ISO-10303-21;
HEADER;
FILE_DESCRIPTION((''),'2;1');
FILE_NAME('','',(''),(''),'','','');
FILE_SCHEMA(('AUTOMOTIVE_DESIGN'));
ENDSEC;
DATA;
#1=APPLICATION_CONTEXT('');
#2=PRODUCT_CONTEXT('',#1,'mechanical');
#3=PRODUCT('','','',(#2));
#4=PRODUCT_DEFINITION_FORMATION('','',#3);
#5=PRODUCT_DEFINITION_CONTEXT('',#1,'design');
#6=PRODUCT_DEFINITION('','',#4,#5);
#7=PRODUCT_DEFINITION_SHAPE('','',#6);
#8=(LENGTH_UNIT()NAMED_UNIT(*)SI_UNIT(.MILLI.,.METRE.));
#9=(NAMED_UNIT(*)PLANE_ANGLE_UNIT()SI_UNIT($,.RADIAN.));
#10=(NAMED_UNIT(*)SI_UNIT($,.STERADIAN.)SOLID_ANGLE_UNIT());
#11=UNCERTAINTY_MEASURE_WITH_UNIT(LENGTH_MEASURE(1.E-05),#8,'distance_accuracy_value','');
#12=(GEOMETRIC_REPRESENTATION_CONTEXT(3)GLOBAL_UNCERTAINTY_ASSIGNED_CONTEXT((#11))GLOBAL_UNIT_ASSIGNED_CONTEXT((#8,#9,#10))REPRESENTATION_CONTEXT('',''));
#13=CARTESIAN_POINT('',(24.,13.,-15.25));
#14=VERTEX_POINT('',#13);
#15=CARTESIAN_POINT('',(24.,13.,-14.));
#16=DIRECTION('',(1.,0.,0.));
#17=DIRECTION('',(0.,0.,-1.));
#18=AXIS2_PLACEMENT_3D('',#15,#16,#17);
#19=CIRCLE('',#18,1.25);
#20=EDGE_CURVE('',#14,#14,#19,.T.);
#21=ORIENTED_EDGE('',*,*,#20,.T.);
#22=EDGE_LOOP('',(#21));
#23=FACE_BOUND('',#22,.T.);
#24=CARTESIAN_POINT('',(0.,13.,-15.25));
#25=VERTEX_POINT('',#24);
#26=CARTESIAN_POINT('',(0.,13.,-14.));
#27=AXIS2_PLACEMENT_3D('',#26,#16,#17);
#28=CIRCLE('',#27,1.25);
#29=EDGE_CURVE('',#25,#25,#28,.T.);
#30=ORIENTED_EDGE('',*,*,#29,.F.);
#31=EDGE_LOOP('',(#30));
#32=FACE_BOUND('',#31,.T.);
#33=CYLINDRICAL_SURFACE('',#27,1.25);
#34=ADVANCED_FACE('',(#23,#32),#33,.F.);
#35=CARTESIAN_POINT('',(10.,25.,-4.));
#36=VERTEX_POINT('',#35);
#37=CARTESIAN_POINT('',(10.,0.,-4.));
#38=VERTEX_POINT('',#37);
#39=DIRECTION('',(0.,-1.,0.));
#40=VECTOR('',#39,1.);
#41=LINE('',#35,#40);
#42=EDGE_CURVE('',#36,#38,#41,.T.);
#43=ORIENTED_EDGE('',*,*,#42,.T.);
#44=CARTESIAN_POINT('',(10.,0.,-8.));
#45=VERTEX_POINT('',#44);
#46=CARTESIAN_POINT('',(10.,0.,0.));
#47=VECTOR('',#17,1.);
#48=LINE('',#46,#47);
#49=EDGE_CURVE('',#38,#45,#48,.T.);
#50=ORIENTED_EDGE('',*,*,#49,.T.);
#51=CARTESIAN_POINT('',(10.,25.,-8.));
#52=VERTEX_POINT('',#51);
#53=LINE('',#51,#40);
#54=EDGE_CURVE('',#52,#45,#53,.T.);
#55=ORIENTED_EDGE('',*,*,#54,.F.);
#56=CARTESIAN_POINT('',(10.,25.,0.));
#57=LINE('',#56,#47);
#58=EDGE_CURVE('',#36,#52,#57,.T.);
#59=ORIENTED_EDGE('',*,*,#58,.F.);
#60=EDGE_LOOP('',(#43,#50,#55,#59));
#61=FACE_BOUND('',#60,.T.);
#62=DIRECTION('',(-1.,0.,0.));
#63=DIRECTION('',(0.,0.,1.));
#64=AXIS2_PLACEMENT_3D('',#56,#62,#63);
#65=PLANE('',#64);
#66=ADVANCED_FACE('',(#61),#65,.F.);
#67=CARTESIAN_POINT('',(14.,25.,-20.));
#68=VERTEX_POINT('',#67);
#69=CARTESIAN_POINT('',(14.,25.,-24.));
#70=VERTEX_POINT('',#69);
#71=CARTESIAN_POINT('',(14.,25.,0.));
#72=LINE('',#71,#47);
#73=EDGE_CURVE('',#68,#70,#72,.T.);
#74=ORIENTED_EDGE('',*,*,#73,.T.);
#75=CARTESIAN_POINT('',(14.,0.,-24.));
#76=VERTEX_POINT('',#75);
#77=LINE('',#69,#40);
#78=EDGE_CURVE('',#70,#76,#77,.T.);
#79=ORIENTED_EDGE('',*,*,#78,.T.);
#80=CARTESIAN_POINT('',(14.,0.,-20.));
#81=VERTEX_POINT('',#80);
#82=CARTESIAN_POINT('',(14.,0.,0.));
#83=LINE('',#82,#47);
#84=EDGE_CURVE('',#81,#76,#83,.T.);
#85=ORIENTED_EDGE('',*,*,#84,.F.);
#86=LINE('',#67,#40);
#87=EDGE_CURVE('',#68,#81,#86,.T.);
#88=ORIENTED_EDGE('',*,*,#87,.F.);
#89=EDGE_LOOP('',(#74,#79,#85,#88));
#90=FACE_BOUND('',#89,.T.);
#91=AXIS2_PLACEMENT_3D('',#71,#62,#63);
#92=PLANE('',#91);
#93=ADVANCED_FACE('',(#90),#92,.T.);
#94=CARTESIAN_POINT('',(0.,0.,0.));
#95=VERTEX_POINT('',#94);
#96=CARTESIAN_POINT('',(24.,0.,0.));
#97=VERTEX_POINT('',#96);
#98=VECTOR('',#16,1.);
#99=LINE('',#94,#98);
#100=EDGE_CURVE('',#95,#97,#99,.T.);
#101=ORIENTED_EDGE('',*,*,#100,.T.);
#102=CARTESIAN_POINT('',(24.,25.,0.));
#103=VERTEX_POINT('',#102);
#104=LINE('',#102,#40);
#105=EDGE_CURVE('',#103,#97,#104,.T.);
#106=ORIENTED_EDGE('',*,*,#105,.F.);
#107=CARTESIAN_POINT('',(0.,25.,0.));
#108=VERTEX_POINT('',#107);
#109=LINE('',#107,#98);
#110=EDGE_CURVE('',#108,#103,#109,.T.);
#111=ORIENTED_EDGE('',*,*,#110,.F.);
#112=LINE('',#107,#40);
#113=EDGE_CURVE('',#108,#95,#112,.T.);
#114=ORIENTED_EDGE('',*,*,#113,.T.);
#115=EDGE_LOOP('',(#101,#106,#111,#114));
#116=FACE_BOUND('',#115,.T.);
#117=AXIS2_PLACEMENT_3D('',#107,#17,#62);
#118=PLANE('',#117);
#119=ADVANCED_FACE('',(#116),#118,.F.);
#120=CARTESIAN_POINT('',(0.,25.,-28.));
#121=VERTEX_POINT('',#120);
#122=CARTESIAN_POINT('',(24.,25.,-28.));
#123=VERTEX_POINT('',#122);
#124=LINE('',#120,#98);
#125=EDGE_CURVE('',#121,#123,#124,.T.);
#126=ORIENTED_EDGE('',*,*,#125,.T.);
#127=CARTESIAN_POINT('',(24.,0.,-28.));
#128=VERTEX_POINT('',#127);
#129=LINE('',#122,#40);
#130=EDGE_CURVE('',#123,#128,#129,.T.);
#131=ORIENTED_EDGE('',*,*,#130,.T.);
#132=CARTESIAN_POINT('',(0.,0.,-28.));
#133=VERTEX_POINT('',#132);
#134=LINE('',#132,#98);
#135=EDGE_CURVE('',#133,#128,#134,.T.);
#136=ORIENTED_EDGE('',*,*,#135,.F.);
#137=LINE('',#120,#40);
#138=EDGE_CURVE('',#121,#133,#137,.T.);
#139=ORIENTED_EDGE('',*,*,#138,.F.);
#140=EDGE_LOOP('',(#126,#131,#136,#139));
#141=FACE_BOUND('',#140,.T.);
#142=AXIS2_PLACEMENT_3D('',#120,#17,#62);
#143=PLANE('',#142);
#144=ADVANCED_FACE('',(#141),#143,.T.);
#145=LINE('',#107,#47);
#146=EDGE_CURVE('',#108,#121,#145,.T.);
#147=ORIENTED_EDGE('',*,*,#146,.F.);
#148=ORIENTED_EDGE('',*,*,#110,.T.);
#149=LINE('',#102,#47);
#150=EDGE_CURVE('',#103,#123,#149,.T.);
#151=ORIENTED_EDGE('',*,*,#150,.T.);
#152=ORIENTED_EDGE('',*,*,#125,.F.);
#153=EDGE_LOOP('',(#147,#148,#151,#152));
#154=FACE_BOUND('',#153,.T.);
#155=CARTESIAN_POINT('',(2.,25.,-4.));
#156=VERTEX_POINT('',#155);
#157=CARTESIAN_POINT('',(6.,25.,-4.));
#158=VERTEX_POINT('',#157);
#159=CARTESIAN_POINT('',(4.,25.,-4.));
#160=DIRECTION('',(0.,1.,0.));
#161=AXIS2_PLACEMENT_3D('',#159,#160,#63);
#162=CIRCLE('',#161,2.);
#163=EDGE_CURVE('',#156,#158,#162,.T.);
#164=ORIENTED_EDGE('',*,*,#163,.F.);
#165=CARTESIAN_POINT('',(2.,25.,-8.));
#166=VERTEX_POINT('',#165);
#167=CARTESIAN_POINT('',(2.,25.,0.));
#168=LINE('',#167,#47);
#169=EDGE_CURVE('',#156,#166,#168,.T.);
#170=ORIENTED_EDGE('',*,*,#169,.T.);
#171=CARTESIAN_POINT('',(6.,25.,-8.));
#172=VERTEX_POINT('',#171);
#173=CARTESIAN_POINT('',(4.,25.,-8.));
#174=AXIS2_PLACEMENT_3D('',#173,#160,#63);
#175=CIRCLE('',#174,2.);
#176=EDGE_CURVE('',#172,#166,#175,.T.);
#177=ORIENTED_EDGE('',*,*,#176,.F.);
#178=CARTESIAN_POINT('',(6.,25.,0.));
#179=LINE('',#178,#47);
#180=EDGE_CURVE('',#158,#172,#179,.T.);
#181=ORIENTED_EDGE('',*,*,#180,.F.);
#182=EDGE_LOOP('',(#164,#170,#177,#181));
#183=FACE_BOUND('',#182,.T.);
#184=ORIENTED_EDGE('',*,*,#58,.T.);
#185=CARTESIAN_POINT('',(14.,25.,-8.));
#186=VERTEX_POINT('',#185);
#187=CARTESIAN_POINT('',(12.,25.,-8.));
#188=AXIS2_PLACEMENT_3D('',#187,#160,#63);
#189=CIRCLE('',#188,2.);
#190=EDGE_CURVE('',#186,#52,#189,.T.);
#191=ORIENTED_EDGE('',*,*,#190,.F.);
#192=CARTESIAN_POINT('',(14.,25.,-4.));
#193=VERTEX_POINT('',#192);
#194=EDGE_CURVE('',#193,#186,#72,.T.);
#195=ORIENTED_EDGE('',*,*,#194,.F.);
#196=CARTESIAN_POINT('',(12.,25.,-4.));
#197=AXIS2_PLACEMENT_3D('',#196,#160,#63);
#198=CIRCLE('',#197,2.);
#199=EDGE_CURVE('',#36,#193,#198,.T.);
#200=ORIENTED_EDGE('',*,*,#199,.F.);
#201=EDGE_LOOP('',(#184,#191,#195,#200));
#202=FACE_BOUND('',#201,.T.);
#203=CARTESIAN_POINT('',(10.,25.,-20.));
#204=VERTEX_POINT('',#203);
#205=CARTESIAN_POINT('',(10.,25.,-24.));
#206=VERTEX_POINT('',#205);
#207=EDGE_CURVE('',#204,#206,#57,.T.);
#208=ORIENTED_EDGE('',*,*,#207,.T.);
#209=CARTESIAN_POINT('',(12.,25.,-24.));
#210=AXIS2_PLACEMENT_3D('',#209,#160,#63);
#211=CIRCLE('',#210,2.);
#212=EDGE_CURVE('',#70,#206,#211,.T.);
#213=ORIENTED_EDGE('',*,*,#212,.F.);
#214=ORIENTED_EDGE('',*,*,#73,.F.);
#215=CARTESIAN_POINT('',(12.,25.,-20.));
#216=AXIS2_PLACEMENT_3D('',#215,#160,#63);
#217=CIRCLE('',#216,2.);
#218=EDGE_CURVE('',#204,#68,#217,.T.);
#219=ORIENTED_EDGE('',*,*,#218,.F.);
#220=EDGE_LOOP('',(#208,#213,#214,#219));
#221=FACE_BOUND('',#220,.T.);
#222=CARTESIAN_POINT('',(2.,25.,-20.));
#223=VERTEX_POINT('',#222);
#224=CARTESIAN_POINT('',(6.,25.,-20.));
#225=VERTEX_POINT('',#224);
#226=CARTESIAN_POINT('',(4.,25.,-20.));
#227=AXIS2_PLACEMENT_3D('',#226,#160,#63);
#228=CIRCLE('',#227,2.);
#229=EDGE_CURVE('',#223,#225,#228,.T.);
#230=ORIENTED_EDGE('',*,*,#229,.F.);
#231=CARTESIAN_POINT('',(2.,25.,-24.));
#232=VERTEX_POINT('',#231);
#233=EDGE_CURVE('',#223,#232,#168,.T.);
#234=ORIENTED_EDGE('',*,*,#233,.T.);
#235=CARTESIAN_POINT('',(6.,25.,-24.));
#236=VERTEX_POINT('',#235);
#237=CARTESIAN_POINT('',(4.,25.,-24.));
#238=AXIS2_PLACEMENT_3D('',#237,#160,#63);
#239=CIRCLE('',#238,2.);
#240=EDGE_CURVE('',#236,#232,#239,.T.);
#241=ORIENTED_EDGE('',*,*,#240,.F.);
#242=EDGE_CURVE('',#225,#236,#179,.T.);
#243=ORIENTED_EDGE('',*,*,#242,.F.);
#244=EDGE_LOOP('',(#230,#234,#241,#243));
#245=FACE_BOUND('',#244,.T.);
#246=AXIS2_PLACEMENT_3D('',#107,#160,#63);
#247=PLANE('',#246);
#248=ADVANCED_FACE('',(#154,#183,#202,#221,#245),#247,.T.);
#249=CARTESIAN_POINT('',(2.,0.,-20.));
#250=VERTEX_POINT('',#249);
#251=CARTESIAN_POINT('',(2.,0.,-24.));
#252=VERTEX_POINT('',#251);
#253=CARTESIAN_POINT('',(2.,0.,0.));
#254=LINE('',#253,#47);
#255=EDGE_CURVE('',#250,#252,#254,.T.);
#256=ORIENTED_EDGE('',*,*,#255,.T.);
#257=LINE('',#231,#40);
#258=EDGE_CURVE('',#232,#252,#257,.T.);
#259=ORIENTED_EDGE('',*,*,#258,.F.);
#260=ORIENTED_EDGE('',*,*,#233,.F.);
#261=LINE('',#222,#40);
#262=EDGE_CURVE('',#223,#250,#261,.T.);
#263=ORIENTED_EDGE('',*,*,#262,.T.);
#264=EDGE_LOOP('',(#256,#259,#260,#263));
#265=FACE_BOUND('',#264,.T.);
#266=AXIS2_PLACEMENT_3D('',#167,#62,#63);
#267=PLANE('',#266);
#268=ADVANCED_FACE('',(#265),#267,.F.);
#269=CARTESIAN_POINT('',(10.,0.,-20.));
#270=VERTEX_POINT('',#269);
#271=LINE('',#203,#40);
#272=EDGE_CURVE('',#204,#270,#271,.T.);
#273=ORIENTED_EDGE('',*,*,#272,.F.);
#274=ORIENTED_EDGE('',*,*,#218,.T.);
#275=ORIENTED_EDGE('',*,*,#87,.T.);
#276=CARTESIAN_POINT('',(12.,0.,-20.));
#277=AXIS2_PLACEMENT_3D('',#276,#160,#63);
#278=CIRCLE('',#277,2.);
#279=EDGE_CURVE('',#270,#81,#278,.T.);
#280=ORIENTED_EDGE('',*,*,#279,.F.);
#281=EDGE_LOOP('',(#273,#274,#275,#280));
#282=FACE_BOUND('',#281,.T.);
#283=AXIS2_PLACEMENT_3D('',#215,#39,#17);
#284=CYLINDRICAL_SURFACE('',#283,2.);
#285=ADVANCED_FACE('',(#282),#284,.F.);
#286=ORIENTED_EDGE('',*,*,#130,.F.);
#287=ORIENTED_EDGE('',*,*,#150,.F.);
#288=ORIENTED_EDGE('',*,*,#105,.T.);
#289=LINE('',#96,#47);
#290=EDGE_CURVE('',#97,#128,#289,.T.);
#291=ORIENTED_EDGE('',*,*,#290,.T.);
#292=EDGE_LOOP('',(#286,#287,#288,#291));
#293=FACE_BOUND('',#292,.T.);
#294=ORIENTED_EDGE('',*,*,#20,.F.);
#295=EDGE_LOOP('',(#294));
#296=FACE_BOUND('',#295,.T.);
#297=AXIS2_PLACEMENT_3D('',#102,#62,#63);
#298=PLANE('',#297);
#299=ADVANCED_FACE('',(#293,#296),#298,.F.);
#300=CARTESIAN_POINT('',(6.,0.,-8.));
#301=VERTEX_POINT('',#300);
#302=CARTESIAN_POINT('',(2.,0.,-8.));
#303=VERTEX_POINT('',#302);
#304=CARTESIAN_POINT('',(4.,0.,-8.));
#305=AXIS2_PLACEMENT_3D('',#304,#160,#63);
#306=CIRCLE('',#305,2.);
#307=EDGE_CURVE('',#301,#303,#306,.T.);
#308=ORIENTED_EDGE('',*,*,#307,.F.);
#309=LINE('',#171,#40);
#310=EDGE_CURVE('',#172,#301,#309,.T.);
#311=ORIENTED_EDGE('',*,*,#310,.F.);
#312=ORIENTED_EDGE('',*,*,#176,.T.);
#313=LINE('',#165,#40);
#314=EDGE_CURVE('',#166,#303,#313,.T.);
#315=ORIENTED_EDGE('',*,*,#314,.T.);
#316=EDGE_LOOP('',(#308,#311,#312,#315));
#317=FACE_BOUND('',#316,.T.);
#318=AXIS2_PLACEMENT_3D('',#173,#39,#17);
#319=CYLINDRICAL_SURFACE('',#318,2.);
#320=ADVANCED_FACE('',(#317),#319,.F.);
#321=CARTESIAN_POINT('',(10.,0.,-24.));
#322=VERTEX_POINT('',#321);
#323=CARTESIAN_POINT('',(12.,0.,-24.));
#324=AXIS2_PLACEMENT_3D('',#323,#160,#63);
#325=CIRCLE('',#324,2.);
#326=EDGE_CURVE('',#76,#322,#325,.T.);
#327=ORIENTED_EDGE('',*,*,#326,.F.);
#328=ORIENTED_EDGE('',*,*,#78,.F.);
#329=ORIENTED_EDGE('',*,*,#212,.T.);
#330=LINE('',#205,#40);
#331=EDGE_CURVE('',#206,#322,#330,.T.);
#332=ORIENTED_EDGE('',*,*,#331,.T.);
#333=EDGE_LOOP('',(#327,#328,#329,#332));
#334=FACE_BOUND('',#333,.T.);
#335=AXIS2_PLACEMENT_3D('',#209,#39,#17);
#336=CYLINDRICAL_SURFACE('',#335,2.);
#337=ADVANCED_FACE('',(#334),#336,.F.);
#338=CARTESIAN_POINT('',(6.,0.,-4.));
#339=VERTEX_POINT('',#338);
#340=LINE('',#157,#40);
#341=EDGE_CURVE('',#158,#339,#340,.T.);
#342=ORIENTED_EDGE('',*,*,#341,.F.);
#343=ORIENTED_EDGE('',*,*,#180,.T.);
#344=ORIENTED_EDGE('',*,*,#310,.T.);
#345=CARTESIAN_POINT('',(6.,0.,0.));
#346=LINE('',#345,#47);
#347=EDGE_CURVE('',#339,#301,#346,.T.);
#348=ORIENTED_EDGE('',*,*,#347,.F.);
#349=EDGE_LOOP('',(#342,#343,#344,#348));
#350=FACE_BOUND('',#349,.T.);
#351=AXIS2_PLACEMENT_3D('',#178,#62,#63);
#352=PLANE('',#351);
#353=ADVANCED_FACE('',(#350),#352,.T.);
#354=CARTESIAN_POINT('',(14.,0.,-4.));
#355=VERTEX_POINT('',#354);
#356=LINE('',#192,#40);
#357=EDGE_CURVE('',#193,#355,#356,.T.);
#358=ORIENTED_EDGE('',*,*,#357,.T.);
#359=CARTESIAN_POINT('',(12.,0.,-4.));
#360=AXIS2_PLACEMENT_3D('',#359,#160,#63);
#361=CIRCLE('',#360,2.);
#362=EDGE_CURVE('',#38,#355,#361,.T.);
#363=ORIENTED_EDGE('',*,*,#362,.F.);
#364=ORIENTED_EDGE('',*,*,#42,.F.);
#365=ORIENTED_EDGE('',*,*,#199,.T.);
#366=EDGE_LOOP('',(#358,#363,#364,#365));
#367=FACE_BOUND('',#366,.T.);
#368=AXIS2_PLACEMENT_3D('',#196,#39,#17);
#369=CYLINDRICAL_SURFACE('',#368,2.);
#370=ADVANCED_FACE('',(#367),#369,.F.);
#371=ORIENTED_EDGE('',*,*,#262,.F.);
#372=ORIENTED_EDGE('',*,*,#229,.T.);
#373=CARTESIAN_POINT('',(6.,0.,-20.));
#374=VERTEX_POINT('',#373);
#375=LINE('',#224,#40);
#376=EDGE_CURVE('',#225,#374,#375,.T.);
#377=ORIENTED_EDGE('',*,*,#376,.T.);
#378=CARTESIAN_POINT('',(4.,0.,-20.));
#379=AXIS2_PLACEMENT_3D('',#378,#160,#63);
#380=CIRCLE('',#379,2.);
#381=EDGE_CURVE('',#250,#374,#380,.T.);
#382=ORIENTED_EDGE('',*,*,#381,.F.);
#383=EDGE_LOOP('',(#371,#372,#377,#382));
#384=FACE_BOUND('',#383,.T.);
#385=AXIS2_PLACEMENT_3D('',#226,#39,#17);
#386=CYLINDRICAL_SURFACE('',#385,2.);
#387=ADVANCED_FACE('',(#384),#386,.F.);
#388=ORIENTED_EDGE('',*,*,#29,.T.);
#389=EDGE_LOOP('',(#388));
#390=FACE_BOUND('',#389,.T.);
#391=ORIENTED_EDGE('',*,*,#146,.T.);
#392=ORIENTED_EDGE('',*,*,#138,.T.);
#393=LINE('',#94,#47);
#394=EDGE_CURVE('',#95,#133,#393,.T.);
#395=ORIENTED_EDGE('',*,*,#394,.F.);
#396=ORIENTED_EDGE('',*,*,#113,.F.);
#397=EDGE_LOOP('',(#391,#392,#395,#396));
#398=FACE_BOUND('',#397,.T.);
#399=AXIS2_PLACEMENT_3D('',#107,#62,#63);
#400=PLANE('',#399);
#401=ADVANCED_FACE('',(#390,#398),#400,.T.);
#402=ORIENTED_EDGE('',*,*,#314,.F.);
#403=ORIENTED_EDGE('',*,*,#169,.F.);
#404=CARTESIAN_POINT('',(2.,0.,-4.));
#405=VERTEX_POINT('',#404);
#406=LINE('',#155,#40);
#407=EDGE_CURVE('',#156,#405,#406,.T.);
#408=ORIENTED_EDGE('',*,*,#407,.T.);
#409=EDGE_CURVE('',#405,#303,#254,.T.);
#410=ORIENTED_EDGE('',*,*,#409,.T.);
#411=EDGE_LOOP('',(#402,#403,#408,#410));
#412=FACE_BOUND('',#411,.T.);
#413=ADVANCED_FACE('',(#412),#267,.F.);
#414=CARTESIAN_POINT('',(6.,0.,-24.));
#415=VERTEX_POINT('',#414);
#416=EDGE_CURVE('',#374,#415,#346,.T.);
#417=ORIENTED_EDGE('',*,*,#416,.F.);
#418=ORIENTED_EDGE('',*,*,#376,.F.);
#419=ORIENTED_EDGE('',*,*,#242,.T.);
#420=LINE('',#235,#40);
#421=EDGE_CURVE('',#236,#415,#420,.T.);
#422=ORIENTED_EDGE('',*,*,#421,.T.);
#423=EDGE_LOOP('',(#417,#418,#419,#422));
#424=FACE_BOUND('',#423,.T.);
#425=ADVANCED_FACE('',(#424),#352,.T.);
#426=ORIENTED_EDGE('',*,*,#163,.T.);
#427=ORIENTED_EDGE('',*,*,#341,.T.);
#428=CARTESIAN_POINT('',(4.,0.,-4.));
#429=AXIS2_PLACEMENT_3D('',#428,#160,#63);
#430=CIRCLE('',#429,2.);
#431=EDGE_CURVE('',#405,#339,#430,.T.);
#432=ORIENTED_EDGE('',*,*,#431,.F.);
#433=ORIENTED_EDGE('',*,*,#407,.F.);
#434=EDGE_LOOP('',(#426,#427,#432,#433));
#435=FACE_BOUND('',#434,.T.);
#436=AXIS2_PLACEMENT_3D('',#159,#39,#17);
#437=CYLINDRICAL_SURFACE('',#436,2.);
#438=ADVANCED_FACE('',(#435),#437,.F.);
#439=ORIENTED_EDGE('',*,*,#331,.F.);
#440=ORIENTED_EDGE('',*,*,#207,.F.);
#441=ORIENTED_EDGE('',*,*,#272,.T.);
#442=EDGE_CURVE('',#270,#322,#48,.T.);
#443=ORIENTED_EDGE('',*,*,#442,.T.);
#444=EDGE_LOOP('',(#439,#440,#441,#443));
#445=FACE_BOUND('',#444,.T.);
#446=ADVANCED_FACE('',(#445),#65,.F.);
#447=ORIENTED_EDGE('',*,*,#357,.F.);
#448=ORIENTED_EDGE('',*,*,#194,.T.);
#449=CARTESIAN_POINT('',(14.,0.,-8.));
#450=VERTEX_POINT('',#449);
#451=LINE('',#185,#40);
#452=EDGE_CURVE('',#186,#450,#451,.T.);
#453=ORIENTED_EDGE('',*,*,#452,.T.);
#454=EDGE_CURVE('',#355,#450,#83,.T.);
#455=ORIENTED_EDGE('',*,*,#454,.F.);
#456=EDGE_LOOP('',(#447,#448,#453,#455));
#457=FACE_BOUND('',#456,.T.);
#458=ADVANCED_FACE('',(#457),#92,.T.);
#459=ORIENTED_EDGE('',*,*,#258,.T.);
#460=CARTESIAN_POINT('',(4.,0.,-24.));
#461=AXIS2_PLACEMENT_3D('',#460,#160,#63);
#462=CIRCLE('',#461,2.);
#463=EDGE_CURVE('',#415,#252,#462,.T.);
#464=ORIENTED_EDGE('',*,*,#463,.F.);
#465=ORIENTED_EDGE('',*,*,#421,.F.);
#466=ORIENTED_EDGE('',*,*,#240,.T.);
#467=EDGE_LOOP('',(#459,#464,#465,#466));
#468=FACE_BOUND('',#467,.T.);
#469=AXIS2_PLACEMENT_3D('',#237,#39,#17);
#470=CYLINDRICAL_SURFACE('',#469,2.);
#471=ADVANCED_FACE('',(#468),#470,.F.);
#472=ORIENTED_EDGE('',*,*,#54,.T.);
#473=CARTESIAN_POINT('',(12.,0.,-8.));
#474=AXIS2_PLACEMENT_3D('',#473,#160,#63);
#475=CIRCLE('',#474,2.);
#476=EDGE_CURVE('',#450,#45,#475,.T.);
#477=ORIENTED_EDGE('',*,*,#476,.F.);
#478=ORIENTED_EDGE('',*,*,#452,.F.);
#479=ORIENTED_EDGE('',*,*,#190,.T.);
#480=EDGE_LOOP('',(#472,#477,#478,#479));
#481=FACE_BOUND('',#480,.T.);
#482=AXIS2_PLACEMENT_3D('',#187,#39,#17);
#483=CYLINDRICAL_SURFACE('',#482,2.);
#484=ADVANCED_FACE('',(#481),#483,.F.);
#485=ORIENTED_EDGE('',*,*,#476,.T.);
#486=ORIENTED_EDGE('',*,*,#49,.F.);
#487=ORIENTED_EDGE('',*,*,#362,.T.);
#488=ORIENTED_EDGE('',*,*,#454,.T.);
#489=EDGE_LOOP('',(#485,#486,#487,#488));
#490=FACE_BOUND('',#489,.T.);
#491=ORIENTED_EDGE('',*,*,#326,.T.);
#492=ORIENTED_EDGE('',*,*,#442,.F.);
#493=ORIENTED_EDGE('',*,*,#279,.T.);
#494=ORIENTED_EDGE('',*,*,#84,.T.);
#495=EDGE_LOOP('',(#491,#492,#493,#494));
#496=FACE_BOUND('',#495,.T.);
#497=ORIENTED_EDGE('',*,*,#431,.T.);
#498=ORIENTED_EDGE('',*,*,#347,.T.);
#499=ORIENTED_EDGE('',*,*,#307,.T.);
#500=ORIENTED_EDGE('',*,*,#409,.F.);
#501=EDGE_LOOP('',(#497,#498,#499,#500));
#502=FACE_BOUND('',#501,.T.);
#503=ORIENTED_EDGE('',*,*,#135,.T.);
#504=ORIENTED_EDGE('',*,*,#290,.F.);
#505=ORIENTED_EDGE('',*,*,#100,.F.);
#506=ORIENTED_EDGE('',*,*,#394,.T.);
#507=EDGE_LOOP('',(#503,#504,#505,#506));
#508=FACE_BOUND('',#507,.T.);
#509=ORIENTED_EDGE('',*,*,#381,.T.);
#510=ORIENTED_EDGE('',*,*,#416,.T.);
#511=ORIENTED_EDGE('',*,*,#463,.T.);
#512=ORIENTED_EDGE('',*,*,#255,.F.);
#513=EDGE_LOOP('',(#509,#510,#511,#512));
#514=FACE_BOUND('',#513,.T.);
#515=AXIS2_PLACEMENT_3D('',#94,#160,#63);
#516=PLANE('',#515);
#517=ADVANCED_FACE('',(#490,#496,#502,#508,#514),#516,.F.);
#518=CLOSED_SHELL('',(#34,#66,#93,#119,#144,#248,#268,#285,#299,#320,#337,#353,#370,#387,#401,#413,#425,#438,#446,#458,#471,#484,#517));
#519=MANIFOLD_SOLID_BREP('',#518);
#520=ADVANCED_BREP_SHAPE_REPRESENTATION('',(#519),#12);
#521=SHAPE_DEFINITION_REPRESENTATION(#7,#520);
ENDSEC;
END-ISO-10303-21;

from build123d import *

# Parameters (mm, degrees)
SKETCH1_W           = 24
SKETCH1_H           = 28
BOSS_EXTRUDE1_DEPTH = 25
SKETCH2_R           = 1.25
CUT_EXTRUDE1_DEPTH  = 45.55333882


with BuildPart() as part:
    # Sketch1 → Boss-Extrude1 (new body)
    with BuildSketch(Plane(origin=(0, 0, 0), x_dir=(1, 0, 0), z_dir=(0, 1, 0))):
        with Locations((12, 14)):
            Rectangle(SKETCH1_W, SKETCH1_H)
        with BuildLine():
            Line((2, 4), (2, 8))
            ThreePointArc((2, 8), (4, 10), (6, 8))
            Line((6, 8), (6, 4))
            ThreePointArc((6, 4), (4, 2), (2, 4))
        make_face(mode=Mode.SUBTRACT)
        with BuildLine():
            Line((10, 4), (10, 8))
            ThreePointArc((10, 8), (12, 10), (14, 8))
            Line((14, 8), (14, 4))
            ThreePointArc((14, 4), (12, 2), (10, 4))
        make_face(mode=Mode.SUBTRACT)
        with BuildLine():
            Line((10, 20), (10, 24))
            ThreePointArc((10, 24), (12, 26), (14, 24))
            Line((14, 24), (14, 20))
            ThreePointArc((14, 20), (12, 18), (10, 20))
        make_face(mode=Mode.SUBTRACT)
        with BuildLine():
            Line((2, 20), (2, 24))
            ThreePointArc((2, 24), (4, 26), (6, 24))
            Line((6, 24), (6, 20))
            ThreePointArc((6, 20), (4, 18), (2, 20))
        make_face(mode=Mode.SUBTRACT)
    extrude(amount=BOSS_EXTRUDE1_DEPTH)

    # Sketch2 → Cut-Extrude1 (cut, through all)
    with BuildSketch(Plane(origin=(24, 0, 0), x_dir=(0, 0, -1), z_dir=(1, 0, 0))):
        with Locations((14, 13)):
            Circle(SKETCH2_R)
    extrude(amount=-CUT_EXTRUDE1_DEPTH, mode=Mode.SUBTRACT)


solid = part.part
